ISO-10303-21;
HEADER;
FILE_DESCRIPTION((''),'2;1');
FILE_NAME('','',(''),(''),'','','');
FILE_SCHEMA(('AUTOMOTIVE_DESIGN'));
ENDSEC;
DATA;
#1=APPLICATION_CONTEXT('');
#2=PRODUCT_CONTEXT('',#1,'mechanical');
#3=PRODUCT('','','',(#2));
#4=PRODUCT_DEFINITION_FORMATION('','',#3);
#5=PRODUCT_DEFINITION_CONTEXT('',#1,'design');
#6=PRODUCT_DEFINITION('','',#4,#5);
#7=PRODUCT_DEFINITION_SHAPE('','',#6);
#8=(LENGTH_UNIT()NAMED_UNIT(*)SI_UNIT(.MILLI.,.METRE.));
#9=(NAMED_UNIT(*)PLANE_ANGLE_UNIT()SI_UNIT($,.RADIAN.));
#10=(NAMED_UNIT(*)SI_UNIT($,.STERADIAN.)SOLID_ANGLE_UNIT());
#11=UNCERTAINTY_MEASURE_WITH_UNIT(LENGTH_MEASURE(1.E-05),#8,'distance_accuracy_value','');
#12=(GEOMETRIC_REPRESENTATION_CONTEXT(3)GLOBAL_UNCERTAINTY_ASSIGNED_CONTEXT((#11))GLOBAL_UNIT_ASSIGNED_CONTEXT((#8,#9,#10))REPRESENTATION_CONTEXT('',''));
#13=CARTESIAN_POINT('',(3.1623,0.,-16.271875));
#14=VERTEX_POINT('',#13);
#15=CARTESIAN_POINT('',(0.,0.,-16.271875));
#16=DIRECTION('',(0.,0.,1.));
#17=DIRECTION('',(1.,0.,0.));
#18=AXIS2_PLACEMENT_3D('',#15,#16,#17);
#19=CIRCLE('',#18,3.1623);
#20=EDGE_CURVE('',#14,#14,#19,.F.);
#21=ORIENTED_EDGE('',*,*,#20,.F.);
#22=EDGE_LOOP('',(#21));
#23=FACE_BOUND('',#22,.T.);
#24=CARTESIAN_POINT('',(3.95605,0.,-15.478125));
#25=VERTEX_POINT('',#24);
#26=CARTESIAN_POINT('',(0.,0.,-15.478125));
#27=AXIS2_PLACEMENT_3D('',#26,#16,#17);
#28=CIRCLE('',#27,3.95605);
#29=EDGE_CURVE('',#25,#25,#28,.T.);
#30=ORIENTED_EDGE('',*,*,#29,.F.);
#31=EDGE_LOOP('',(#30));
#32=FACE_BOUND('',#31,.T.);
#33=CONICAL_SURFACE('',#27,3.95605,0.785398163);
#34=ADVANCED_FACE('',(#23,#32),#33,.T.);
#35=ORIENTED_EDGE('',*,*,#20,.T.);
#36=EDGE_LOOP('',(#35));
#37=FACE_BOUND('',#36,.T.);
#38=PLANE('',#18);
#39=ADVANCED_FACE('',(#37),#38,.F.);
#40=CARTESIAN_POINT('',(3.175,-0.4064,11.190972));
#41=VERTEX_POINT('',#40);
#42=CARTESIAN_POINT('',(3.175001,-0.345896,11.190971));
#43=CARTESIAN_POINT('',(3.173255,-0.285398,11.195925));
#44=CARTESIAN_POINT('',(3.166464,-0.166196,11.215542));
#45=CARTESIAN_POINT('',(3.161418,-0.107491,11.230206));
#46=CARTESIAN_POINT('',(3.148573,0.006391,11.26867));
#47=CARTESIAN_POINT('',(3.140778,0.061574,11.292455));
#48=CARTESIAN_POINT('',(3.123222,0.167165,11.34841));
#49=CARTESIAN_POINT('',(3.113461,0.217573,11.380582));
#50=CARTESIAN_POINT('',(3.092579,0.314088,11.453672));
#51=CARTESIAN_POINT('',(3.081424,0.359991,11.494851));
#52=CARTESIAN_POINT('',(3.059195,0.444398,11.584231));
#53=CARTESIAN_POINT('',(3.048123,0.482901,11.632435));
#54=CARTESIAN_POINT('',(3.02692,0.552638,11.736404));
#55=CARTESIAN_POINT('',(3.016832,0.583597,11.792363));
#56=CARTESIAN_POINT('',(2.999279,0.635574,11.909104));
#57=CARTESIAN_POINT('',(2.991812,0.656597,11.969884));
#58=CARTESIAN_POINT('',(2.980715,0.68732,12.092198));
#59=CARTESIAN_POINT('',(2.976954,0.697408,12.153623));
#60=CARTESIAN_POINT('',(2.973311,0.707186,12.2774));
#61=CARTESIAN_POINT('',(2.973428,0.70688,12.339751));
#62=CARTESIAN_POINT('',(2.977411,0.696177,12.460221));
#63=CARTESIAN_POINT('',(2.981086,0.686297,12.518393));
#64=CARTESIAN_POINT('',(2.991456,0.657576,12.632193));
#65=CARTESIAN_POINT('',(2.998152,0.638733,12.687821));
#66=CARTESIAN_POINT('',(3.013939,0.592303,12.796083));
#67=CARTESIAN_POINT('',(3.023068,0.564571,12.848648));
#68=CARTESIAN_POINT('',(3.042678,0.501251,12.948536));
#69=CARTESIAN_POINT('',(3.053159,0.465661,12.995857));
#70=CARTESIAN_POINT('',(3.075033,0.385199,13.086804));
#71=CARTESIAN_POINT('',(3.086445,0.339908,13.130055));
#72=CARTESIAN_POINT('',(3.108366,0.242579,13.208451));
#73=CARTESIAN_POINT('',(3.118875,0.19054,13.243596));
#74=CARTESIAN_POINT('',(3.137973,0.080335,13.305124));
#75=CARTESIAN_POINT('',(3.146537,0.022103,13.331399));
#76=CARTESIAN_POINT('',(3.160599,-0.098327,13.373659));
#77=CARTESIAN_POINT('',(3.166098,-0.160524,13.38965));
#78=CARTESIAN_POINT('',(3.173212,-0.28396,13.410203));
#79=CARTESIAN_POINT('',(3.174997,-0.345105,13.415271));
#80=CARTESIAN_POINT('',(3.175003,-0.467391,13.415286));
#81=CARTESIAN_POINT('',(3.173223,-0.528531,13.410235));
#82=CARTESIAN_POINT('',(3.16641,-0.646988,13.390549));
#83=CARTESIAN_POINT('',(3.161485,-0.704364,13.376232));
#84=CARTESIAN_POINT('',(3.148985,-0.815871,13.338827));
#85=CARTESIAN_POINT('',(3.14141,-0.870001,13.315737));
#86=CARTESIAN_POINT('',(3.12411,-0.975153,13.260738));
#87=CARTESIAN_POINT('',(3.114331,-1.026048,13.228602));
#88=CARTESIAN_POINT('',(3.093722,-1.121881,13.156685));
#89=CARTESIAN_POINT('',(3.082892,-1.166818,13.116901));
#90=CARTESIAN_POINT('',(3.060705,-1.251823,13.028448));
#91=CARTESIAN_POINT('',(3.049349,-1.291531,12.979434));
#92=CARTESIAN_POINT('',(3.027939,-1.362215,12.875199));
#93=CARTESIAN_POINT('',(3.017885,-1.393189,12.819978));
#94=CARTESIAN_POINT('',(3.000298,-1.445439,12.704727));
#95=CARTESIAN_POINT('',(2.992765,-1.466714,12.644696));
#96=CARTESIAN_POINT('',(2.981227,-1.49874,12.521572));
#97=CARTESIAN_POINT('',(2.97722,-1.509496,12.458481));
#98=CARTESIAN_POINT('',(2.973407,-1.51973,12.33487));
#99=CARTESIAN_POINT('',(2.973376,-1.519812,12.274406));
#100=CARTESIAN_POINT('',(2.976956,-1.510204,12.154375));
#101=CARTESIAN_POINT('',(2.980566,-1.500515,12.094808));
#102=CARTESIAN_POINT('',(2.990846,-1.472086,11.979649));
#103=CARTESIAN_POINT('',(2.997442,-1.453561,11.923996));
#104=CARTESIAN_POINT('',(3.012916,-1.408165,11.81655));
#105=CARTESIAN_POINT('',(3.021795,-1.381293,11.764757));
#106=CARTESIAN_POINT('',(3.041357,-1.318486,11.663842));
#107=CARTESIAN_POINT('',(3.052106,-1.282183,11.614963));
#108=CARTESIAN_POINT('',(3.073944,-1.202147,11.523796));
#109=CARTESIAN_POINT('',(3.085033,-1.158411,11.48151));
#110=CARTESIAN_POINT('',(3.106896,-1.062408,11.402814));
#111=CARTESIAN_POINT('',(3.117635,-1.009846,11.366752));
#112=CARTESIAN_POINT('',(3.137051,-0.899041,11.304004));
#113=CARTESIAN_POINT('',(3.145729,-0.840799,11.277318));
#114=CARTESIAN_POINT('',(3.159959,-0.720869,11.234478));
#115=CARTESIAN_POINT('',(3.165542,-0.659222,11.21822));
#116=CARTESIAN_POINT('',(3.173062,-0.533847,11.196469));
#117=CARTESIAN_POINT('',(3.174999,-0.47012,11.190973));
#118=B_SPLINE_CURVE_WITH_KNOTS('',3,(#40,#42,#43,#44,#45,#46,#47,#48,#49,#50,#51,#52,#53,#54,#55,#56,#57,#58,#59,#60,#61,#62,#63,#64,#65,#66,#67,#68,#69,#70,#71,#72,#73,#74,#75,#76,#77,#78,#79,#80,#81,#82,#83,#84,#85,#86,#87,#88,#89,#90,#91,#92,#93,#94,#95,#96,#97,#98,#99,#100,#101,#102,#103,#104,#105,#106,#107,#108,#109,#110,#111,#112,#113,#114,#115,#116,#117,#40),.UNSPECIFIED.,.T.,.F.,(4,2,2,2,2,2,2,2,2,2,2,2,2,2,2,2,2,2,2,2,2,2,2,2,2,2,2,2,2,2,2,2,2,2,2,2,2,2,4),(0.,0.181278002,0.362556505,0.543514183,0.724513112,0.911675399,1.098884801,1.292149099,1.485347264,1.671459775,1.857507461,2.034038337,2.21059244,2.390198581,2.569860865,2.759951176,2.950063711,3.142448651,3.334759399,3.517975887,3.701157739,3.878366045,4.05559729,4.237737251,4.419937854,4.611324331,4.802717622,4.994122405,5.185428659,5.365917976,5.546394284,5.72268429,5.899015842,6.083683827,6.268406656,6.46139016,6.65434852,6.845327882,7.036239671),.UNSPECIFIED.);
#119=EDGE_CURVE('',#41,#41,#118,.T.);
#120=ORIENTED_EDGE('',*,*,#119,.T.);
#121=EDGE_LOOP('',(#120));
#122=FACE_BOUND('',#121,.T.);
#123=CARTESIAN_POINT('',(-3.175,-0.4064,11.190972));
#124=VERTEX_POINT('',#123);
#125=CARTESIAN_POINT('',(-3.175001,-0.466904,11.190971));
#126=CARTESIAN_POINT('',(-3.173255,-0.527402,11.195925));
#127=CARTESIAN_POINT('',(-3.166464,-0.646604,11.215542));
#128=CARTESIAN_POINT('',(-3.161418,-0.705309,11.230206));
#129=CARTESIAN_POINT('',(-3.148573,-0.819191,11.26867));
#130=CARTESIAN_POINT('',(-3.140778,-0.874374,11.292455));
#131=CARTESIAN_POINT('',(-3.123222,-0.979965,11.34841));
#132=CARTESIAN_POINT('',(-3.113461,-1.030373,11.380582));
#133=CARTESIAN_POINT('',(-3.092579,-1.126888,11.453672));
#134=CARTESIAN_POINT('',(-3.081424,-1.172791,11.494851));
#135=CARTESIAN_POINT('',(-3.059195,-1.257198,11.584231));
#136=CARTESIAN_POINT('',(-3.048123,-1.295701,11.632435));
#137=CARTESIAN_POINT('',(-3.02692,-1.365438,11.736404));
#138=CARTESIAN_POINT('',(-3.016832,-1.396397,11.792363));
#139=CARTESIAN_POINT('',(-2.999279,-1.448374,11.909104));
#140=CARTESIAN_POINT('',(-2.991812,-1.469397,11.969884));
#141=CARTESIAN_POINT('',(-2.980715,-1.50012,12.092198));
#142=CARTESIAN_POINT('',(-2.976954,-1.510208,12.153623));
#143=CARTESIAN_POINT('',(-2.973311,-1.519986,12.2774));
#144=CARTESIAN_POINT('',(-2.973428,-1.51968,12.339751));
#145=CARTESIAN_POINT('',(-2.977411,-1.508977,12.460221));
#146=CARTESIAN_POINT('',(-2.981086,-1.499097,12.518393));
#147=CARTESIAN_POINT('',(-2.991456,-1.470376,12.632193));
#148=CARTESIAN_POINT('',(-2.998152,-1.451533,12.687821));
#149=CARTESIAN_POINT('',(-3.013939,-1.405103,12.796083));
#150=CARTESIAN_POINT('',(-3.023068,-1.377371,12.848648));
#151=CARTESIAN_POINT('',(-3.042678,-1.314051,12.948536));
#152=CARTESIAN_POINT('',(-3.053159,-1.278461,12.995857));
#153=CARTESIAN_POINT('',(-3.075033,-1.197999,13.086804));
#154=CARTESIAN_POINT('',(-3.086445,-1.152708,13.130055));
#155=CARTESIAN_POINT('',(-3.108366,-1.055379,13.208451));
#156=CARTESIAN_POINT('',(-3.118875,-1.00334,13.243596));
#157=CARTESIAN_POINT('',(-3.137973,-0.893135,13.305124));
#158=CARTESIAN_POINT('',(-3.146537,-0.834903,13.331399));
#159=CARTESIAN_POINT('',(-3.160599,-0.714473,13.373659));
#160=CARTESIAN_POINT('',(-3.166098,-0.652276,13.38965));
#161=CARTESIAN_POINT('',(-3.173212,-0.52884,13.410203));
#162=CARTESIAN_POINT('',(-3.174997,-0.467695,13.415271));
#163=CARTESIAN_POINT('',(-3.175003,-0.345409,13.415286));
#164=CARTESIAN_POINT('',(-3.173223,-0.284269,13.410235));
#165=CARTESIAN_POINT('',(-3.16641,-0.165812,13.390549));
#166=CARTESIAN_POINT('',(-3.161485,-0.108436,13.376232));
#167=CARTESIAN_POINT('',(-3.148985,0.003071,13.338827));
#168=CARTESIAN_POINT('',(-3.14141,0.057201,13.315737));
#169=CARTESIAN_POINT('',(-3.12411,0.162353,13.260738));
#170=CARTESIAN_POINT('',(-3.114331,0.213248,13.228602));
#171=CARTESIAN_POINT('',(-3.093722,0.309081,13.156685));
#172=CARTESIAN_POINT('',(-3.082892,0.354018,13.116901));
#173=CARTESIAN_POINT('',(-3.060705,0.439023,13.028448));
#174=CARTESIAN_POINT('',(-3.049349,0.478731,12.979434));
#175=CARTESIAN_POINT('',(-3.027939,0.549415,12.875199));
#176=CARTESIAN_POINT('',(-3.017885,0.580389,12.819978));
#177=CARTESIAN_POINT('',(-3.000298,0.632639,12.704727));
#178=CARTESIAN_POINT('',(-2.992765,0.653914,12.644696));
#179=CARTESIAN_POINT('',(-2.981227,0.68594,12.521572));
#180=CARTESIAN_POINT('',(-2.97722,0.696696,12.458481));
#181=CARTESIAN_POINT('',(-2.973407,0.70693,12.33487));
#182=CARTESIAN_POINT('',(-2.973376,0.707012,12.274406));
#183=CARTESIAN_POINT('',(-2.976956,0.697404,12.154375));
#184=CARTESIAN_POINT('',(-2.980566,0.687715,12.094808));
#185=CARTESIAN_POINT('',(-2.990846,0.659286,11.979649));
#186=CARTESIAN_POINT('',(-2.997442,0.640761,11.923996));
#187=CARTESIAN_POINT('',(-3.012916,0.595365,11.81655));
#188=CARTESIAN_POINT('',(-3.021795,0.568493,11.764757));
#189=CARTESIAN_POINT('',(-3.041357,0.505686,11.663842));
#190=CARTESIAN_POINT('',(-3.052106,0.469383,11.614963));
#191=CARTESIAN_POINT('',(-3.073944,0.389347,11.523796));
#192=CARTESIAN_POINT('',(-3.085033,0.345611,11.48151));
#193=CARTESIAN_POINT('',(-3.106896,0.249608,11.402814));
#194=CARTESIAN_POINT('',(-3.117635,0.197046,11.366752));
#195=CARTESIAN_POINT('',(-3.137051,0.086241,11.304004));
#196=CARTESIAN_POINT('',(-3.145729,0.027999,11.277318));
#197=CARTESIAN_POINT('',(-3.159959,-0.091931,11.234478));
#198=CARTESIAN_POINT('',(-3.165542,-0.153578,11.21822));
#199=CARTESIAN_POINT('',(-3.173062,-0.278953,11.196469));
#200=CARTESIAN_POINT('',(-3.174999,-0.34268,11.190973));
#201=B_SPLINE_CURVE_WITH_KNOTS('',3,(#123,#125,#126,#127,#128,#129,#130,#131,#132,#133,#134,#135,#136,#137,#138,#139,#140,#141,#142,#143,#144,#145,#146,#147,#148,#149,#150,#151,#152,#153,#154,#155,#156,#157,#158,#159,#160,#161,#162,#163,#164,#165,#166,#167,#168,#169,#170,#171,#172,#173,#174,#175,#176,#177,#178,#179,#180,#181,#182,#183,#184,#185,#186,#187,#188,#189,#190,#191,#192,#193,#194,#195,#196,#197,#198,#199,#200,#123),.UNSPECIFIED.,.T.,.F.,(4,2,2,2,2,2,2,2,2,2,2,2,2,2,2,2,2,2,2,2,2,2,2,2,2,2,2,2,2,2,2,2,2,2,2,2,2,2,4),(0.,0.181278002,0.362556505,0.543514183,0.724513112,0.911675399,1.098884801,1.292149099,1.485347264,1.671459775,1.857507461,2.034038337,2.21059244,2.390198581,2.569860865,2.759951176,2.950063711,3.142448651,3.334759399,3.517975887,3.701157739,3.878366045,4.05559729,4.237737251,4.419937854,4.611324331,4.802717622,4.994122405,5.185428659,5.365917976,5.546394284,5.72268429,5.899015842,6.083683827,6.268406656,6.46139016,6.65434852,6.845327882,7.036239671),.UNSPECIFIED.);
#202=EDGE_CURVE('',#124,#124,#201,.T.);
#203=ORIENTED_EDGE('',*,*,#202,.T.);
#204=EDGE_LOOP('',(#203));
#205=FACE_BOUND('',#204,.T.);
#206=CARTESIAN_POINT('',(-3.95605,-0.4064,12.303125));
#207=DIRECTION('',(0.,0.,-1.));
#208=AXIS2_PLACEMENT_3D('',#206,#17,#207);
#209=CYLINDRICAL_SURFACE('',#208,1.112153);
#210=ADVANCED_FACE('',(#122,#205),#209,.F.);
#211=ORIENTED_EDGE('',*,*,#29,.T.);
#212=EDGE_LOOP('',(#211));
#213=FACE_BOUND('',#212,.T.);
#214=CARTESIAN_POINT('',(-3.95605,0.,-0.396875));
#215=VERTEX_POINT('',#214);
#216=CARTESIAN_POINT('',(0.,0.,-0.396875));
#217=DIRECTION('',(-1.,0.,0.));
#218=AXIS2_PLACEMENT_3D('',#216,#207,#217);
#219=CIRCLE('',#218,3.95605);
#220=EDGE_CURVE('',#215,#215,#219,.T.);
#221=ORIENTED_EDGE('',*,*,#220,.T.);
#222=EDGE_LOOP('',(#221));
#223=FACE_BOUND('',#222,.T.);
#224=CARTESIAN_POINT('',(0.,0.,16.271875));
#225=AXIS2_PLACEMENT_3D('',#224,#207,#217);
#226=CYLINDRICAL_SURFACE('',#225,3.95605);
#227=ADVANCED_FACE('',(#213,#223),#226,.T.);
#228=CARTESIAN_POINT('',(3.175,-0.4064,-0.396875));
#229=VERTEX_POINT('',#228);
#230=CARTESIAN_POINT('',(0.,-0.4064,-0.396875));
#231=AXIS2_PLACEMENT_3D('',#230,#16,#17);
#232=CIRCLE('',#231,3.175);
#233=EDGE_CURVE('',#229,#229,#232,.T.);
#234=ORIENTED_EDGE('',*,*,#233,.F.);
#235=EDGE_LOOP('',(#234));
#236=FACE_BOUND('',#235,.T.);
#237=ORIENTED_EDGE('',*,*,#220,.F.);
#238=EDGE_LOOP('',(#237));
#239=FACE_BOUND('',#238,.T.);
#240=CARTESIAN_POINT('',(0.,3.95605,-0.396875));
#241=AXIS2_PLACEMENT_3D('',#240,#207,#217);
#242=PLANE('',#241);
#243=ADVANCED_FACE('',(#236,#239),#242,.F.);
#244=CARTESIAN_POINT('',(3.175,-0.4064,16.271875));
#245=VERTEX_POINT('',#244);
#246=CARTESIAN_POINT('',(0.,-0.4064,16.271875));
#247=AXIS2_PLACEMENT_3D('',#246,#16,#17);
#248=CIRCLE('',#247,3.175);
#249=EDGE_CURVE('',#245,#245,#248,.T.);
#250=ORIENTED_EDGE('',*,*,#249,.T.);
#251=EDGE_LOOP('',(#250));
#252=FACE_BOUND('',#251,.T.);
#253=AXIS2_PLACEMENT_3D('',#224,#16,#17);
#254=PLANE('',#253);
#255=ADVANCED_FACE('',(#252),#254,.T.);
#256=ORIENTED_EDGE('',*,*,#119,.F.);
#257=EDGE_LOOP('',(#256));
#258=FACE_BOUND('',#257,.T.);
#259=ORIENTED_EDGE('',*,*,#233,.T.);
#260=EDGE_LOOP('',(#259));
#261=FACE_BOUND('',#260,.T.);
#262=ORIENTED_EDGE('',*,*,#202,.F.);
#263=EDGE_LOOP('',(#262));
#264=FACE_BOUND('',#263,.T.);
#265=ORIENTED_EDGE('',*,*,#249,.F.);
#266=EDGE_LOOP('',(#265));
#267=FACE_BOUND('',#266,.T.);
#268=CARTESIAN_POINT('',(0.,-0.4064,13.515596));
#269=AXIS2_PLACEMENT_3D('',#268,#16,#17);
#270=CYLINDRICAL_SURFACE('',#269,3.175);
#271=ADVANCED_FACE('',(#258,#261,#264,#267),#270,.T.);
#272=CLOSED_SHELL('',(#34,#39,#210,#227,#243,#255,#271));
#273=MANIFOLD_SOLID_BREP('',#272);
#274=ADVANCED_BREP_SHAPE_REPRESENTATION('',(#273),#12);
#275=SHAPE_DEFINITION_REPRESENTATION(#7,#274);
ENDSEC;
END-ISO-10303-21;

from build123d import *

# Parameters (mm, degrees)
SKETCH1_R                   = 3.95605
BASE_EXTRUDE_DEPTH          = 16.271875
CHAMFER1_SIZE               = 0.79375
SILHOUETTE_W                = 16.66875
SILHOUETTE_H                = 1.18745
LOCKING_PIN_HOLE_DEPTH      = 18.206817812
LOCKING_PIN_HOLE_DEPTH_BACK = 18.206817812
SKETCH5_R                   = 1.112153358


with BuildPart() as part:
    # Sketch1 → Base-Extrude (new, symmetric)
    with BuildSketch(Plane.XY):
        Circle(SKETCH1_R)
    extrude(amount=BASE_EXTRUDE_DEPTH, both=True)

    # Chamfer1
    chamfer1_edges = [part.edges().sort_by_distance(p)[0] for p in [
        (-3.95605, 0, -16.271875),
    ]]
    chamfer(chamfer1_edges, length=CHAMFER1_SIZE)

    # Silhouette → Cut-Revolve1 (revolve, cut)
    with BuildSketch(Plane(origin=(0, 0, 0), x_dir=(0, 0, -1), z_dir=(1, 0, 0)), mode=Mode.PRIVATE) as cut_revolve1_sk:
        with Locations((-7.9375, 3.362325)):
            Rectangle(SILHOUETTE_W, SILHOUETTE_H)
    revolve(cut_revolve1_sk.sketch.rotate(Axis((0, -0.4064, 13.51559633), (0, 0, -1)), 90), axis=Axis((0, -0.4064, 13.51559633), (0, 0, -1)), mode=Mode.SUBTRACT)

    # Sketch5 → Locking pin hole (cut, two sides: drawn at the far end of the back side and taken through both)
    with BuildSketch(Plane(origin=(0, 0, 0), x_dir=(0, 0, -1), z_dir=(1, 0, 0)).offset(-LOCKING_PIN_HOLE_DEPTH_BACK)):
        with Locations((-12.303125, -0.4064)):
            Circle(SKETCH5_R)
    extrude(amount=LOCKING_PIN_HOLE_DEPTH + LOCKING_PIN_HOLE_DEPTH_BACK, mode=Mode.SUBTRACT)


solid = part.part
